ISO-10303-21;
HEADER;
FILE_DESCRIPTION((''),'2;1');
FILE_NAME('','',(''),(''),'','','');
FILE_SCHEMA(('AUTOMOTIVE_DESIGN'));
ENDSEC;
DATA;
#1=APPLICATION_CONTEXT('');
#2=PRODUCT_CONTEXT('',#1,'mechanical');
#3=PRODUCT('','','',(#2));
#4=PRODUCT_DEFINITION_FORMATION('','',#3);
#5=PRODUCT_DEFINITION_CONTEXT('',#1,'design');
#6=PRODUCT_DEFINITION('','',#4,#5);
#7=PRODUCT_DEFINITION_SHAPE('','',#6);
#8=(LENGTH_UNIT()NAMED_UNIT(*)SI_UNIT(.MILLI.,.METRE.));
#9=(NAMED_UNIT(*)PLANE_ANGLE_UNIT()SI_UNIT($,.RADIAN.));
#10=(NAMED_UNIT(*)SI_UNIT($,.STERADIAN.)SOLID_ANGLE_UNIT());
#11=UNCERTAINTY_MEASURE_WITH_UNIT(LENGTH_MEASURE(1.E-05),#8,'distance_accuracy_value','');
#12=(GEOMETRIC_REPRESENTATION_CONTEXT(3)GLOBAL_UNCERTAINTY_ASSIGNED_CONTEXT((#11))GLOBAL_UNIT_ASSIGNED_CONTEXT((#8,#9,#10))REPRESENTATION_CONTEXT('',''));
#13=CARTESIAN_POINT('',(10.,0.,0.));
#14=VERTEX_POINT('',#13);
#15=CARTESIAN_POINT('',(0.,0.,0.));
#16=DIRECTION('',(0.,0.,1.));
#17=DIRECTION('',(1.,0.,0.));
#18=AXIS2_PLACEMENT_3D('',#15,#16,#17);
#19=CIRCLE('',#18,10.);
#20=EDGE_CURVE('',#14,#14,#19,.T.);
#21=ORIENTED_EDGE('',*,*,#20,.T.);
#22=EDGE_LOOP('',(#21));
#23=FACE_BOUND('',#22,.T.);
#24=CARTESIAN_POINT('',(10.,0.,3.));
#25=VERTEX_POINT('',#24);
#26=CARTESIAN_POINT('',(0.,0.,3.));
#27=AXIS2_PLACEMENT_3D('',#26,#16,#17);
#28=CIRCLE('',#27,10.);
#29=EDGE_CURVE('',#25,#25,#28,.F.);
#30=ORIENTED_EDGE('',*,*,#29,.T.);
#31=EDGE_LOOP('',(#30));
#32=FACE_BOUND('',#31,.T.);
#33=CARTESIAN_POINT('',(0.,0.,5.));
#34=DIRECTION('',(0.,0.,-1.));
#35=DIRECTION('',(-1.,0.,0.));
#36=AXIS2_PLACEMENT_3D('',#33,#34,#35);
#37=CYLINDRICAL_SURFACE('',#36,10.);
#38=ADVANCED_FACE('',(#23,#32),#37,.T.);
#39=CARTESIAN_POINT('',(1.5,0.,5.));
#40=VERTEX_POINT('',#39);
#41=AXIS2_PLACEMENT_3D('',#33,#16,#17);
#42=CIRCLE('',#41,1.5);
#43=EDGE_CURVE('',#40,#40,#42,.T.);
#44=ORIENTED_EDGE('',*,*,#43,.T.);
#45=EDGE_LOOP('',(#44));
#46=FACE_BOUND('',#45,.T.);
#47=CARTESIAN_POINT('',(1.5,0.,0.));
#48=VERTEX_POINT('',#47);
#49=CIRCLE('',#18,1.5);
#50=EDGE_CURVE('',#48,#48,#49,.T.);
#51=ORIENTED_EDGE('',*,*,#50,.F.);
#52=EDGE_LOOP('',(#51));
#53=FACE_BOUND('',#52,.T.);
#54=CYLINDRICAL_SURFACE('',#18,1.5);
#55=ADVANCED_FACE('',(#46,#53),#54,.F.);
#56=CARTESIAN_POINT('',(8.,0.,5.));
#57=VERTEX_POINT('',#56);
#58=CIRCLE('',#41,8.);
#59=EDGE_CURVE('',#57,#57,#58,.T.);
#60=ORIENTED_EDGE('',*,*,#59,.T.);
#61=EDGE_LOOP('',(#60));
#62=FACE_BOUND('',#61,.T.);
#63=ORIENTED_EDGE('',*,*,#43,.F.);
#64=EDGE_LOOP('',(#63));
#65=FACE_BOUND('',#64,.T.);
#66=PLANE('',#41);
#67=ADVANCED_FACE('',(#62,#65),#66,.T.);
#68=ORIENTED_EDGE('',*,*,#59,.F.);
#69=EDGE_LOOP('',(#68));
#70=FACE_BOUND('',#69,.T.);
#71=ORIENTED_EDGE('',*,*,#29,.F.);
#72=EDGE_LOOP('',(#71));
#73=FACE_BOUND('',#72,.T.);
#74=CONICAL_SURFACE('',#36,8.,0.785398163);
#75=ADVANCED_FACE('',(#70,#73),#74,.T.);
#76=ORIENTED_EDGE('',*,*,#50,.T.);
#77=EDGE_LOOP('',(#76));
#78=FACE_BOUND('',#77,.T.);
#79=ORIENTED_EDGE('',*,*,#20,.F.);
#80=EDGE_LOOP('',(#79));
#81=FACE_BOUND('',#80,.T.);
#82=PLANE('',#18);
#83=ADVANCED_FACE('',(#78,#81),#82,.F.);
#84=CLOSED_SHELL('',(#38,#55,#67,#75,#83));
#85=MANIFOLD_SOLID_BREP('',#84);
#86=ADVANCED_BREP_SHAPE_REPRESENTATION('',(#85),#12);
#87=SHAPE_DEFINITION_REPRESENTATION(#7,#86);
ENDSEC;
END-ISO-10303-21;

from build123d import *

# Parameters (mm, degrees)
SKETCH1_R           = 10
BOSS_EXTRUDE1_DEPTH = 5
CHAMFER1_SIZE       = 2
SKETCH2_R           = 1.5
CUT_EXTRUDE1_DEPTH  = 5


with BuildPart() as part:
    # Sketch1 → Boss-Extrude1 (new body)
    with BuildSketch(Plane.XY):
        Circle(SKETCH1_R)
    extrude(amount=BOSS_EXTRUDE1_DEPTH)

    # Chamfer1
    chamfer1_edges = [part.edges().sort_by_distance(p)[0] for p in [
        (-10, 0, 5),
    ]]
    chamfer(chamfer1_edges, length=CHAMFER1_SIZE)

    # Sketch2 → Cut-Extrude1 (cut)
    with BuildSketch(Plane.XY.offset(5)):
        Circle(SKETCH2_R)
    extrude(amount=-CUT_EXTRUDE1_DEPTH, mode=Mode.SUBTRACT)


solid = part.part
